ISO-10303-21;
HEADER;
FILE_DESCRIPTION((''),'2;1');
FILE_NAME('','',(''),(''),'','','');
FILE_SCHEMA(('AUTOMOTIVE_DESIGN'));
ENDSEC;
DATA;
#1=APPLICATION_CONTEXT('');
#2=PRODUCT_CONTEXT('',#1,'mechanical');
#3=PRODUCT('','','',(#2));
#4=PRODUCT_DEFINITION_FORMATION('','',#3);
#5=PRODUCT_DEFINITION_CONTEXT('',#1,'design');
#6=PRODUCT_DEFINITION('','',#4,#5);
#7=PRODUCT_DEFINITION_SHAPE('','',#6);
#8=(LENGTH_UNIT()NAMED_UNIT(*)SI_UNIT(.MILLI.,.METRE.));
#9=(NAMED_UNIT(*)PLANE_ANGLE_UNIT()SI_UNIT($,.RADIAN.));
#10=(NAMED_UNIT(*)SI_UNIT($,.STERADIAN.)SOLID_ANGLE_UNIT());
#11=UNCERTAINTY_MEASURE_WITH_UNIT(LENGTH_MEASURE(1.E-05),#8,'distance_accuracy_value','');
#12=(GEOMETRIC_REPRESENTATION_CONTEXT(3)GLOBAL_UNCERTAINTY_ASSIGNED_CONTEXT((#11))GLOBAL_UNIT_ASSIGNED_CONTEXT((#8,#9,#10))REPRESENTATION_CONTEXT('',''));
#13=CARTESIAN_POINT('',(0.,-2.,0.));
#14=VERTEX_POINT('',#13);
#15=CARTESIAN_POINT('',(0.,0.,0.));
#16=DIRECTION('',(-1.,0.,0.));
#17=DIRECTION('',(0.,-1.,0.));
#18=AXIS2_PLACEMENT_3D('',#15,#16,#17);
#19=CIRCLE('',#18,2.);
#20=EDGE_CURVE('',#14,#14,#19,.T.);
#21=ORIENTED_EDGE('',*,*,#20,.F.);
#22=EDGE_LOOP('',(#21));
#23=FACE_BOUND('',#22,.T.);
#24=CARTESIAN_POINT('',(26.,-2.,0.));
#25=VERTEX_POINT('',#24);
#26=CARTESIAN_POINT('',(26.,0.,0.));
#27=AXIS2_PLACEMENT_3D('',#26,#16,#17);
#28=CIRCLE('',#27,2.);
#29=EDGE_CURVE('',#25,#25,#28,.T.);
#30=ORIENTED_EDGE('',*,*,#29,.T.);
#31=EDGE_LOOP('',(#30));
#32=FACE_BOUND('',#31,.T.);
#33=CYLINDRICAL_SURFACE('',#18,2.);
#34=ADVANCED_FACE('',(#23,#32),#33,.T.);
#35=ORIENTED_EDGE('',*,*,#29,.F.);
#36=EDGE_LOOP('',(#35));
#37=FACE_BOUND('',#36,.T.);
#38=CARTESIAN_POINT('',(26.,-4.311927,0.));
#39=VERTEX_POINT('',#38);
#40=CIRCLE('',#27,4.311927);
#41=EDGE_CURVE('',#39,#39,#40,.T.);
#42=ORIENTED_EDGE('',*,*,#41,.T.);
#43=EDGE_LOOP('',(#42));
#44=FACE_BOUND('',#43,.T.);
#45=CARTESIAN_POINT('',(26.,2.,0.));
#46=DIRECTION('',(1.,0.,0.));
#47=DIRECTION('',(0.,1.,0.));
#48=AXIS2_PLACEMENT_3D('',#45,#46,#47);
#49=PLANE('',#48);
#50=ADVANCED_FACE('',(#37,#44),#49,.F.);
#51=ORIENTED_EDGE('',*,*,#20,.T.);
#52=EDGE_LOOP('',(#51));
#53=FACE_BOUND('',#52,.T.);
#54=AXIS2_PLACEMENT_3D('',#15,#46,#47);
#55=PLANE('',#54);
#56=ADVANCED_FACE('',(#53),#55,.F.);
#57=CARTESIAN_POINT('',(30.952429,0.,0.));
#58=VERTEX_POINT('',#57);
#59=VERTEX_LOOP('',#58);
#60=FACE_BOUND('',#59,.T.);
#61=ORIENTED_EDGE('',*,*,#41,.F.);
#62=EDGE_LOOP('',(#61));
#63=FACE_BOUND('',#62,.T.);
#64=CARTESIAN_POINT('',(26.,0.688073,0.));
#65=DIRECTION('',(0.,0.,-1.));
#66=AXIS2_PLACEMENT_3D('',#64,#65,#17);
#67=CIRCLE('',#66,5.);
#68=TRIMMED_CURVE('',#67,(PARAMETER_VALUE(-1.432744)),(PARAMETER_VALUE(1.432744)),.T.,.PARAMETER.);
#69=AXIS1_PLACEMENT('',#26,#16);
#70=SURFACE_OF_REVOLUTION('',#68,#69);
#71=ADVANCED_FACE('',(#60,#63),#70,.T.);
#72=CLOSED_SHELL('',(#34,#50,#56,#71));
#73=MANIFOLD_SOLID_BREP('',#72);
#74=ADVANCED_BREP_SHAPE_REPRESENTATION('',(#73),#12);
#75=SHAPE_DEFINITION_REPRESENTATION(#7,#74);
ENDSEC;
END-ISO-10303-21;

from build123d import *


with BuildPart() as part:
    # Sketch1 → Revolve1 (revolve)
    with BuildSketch(Plane.XY, mode=Mode.PRIVATE) as revolve1_sk:
        with BuildLine():
            Line((0, 0), (0, 2))
            Line((0, 2), (26, 2))
            Line((26, 2), (26, 4.311926606))
            ThreePointArc((26, 4.311926606), (29.283263089, 3.082892461), (30.952429202, 0))
            Line((30.952429202, 0), (0, 0))
        make_face()
    revolve(revolve1_sk.sketch.rotate(Axis((0, 0, 0), (1, 0, 0)), 180), axis=Axis((0, 0, 0), (1, 0, 0)))


solid = part.part
